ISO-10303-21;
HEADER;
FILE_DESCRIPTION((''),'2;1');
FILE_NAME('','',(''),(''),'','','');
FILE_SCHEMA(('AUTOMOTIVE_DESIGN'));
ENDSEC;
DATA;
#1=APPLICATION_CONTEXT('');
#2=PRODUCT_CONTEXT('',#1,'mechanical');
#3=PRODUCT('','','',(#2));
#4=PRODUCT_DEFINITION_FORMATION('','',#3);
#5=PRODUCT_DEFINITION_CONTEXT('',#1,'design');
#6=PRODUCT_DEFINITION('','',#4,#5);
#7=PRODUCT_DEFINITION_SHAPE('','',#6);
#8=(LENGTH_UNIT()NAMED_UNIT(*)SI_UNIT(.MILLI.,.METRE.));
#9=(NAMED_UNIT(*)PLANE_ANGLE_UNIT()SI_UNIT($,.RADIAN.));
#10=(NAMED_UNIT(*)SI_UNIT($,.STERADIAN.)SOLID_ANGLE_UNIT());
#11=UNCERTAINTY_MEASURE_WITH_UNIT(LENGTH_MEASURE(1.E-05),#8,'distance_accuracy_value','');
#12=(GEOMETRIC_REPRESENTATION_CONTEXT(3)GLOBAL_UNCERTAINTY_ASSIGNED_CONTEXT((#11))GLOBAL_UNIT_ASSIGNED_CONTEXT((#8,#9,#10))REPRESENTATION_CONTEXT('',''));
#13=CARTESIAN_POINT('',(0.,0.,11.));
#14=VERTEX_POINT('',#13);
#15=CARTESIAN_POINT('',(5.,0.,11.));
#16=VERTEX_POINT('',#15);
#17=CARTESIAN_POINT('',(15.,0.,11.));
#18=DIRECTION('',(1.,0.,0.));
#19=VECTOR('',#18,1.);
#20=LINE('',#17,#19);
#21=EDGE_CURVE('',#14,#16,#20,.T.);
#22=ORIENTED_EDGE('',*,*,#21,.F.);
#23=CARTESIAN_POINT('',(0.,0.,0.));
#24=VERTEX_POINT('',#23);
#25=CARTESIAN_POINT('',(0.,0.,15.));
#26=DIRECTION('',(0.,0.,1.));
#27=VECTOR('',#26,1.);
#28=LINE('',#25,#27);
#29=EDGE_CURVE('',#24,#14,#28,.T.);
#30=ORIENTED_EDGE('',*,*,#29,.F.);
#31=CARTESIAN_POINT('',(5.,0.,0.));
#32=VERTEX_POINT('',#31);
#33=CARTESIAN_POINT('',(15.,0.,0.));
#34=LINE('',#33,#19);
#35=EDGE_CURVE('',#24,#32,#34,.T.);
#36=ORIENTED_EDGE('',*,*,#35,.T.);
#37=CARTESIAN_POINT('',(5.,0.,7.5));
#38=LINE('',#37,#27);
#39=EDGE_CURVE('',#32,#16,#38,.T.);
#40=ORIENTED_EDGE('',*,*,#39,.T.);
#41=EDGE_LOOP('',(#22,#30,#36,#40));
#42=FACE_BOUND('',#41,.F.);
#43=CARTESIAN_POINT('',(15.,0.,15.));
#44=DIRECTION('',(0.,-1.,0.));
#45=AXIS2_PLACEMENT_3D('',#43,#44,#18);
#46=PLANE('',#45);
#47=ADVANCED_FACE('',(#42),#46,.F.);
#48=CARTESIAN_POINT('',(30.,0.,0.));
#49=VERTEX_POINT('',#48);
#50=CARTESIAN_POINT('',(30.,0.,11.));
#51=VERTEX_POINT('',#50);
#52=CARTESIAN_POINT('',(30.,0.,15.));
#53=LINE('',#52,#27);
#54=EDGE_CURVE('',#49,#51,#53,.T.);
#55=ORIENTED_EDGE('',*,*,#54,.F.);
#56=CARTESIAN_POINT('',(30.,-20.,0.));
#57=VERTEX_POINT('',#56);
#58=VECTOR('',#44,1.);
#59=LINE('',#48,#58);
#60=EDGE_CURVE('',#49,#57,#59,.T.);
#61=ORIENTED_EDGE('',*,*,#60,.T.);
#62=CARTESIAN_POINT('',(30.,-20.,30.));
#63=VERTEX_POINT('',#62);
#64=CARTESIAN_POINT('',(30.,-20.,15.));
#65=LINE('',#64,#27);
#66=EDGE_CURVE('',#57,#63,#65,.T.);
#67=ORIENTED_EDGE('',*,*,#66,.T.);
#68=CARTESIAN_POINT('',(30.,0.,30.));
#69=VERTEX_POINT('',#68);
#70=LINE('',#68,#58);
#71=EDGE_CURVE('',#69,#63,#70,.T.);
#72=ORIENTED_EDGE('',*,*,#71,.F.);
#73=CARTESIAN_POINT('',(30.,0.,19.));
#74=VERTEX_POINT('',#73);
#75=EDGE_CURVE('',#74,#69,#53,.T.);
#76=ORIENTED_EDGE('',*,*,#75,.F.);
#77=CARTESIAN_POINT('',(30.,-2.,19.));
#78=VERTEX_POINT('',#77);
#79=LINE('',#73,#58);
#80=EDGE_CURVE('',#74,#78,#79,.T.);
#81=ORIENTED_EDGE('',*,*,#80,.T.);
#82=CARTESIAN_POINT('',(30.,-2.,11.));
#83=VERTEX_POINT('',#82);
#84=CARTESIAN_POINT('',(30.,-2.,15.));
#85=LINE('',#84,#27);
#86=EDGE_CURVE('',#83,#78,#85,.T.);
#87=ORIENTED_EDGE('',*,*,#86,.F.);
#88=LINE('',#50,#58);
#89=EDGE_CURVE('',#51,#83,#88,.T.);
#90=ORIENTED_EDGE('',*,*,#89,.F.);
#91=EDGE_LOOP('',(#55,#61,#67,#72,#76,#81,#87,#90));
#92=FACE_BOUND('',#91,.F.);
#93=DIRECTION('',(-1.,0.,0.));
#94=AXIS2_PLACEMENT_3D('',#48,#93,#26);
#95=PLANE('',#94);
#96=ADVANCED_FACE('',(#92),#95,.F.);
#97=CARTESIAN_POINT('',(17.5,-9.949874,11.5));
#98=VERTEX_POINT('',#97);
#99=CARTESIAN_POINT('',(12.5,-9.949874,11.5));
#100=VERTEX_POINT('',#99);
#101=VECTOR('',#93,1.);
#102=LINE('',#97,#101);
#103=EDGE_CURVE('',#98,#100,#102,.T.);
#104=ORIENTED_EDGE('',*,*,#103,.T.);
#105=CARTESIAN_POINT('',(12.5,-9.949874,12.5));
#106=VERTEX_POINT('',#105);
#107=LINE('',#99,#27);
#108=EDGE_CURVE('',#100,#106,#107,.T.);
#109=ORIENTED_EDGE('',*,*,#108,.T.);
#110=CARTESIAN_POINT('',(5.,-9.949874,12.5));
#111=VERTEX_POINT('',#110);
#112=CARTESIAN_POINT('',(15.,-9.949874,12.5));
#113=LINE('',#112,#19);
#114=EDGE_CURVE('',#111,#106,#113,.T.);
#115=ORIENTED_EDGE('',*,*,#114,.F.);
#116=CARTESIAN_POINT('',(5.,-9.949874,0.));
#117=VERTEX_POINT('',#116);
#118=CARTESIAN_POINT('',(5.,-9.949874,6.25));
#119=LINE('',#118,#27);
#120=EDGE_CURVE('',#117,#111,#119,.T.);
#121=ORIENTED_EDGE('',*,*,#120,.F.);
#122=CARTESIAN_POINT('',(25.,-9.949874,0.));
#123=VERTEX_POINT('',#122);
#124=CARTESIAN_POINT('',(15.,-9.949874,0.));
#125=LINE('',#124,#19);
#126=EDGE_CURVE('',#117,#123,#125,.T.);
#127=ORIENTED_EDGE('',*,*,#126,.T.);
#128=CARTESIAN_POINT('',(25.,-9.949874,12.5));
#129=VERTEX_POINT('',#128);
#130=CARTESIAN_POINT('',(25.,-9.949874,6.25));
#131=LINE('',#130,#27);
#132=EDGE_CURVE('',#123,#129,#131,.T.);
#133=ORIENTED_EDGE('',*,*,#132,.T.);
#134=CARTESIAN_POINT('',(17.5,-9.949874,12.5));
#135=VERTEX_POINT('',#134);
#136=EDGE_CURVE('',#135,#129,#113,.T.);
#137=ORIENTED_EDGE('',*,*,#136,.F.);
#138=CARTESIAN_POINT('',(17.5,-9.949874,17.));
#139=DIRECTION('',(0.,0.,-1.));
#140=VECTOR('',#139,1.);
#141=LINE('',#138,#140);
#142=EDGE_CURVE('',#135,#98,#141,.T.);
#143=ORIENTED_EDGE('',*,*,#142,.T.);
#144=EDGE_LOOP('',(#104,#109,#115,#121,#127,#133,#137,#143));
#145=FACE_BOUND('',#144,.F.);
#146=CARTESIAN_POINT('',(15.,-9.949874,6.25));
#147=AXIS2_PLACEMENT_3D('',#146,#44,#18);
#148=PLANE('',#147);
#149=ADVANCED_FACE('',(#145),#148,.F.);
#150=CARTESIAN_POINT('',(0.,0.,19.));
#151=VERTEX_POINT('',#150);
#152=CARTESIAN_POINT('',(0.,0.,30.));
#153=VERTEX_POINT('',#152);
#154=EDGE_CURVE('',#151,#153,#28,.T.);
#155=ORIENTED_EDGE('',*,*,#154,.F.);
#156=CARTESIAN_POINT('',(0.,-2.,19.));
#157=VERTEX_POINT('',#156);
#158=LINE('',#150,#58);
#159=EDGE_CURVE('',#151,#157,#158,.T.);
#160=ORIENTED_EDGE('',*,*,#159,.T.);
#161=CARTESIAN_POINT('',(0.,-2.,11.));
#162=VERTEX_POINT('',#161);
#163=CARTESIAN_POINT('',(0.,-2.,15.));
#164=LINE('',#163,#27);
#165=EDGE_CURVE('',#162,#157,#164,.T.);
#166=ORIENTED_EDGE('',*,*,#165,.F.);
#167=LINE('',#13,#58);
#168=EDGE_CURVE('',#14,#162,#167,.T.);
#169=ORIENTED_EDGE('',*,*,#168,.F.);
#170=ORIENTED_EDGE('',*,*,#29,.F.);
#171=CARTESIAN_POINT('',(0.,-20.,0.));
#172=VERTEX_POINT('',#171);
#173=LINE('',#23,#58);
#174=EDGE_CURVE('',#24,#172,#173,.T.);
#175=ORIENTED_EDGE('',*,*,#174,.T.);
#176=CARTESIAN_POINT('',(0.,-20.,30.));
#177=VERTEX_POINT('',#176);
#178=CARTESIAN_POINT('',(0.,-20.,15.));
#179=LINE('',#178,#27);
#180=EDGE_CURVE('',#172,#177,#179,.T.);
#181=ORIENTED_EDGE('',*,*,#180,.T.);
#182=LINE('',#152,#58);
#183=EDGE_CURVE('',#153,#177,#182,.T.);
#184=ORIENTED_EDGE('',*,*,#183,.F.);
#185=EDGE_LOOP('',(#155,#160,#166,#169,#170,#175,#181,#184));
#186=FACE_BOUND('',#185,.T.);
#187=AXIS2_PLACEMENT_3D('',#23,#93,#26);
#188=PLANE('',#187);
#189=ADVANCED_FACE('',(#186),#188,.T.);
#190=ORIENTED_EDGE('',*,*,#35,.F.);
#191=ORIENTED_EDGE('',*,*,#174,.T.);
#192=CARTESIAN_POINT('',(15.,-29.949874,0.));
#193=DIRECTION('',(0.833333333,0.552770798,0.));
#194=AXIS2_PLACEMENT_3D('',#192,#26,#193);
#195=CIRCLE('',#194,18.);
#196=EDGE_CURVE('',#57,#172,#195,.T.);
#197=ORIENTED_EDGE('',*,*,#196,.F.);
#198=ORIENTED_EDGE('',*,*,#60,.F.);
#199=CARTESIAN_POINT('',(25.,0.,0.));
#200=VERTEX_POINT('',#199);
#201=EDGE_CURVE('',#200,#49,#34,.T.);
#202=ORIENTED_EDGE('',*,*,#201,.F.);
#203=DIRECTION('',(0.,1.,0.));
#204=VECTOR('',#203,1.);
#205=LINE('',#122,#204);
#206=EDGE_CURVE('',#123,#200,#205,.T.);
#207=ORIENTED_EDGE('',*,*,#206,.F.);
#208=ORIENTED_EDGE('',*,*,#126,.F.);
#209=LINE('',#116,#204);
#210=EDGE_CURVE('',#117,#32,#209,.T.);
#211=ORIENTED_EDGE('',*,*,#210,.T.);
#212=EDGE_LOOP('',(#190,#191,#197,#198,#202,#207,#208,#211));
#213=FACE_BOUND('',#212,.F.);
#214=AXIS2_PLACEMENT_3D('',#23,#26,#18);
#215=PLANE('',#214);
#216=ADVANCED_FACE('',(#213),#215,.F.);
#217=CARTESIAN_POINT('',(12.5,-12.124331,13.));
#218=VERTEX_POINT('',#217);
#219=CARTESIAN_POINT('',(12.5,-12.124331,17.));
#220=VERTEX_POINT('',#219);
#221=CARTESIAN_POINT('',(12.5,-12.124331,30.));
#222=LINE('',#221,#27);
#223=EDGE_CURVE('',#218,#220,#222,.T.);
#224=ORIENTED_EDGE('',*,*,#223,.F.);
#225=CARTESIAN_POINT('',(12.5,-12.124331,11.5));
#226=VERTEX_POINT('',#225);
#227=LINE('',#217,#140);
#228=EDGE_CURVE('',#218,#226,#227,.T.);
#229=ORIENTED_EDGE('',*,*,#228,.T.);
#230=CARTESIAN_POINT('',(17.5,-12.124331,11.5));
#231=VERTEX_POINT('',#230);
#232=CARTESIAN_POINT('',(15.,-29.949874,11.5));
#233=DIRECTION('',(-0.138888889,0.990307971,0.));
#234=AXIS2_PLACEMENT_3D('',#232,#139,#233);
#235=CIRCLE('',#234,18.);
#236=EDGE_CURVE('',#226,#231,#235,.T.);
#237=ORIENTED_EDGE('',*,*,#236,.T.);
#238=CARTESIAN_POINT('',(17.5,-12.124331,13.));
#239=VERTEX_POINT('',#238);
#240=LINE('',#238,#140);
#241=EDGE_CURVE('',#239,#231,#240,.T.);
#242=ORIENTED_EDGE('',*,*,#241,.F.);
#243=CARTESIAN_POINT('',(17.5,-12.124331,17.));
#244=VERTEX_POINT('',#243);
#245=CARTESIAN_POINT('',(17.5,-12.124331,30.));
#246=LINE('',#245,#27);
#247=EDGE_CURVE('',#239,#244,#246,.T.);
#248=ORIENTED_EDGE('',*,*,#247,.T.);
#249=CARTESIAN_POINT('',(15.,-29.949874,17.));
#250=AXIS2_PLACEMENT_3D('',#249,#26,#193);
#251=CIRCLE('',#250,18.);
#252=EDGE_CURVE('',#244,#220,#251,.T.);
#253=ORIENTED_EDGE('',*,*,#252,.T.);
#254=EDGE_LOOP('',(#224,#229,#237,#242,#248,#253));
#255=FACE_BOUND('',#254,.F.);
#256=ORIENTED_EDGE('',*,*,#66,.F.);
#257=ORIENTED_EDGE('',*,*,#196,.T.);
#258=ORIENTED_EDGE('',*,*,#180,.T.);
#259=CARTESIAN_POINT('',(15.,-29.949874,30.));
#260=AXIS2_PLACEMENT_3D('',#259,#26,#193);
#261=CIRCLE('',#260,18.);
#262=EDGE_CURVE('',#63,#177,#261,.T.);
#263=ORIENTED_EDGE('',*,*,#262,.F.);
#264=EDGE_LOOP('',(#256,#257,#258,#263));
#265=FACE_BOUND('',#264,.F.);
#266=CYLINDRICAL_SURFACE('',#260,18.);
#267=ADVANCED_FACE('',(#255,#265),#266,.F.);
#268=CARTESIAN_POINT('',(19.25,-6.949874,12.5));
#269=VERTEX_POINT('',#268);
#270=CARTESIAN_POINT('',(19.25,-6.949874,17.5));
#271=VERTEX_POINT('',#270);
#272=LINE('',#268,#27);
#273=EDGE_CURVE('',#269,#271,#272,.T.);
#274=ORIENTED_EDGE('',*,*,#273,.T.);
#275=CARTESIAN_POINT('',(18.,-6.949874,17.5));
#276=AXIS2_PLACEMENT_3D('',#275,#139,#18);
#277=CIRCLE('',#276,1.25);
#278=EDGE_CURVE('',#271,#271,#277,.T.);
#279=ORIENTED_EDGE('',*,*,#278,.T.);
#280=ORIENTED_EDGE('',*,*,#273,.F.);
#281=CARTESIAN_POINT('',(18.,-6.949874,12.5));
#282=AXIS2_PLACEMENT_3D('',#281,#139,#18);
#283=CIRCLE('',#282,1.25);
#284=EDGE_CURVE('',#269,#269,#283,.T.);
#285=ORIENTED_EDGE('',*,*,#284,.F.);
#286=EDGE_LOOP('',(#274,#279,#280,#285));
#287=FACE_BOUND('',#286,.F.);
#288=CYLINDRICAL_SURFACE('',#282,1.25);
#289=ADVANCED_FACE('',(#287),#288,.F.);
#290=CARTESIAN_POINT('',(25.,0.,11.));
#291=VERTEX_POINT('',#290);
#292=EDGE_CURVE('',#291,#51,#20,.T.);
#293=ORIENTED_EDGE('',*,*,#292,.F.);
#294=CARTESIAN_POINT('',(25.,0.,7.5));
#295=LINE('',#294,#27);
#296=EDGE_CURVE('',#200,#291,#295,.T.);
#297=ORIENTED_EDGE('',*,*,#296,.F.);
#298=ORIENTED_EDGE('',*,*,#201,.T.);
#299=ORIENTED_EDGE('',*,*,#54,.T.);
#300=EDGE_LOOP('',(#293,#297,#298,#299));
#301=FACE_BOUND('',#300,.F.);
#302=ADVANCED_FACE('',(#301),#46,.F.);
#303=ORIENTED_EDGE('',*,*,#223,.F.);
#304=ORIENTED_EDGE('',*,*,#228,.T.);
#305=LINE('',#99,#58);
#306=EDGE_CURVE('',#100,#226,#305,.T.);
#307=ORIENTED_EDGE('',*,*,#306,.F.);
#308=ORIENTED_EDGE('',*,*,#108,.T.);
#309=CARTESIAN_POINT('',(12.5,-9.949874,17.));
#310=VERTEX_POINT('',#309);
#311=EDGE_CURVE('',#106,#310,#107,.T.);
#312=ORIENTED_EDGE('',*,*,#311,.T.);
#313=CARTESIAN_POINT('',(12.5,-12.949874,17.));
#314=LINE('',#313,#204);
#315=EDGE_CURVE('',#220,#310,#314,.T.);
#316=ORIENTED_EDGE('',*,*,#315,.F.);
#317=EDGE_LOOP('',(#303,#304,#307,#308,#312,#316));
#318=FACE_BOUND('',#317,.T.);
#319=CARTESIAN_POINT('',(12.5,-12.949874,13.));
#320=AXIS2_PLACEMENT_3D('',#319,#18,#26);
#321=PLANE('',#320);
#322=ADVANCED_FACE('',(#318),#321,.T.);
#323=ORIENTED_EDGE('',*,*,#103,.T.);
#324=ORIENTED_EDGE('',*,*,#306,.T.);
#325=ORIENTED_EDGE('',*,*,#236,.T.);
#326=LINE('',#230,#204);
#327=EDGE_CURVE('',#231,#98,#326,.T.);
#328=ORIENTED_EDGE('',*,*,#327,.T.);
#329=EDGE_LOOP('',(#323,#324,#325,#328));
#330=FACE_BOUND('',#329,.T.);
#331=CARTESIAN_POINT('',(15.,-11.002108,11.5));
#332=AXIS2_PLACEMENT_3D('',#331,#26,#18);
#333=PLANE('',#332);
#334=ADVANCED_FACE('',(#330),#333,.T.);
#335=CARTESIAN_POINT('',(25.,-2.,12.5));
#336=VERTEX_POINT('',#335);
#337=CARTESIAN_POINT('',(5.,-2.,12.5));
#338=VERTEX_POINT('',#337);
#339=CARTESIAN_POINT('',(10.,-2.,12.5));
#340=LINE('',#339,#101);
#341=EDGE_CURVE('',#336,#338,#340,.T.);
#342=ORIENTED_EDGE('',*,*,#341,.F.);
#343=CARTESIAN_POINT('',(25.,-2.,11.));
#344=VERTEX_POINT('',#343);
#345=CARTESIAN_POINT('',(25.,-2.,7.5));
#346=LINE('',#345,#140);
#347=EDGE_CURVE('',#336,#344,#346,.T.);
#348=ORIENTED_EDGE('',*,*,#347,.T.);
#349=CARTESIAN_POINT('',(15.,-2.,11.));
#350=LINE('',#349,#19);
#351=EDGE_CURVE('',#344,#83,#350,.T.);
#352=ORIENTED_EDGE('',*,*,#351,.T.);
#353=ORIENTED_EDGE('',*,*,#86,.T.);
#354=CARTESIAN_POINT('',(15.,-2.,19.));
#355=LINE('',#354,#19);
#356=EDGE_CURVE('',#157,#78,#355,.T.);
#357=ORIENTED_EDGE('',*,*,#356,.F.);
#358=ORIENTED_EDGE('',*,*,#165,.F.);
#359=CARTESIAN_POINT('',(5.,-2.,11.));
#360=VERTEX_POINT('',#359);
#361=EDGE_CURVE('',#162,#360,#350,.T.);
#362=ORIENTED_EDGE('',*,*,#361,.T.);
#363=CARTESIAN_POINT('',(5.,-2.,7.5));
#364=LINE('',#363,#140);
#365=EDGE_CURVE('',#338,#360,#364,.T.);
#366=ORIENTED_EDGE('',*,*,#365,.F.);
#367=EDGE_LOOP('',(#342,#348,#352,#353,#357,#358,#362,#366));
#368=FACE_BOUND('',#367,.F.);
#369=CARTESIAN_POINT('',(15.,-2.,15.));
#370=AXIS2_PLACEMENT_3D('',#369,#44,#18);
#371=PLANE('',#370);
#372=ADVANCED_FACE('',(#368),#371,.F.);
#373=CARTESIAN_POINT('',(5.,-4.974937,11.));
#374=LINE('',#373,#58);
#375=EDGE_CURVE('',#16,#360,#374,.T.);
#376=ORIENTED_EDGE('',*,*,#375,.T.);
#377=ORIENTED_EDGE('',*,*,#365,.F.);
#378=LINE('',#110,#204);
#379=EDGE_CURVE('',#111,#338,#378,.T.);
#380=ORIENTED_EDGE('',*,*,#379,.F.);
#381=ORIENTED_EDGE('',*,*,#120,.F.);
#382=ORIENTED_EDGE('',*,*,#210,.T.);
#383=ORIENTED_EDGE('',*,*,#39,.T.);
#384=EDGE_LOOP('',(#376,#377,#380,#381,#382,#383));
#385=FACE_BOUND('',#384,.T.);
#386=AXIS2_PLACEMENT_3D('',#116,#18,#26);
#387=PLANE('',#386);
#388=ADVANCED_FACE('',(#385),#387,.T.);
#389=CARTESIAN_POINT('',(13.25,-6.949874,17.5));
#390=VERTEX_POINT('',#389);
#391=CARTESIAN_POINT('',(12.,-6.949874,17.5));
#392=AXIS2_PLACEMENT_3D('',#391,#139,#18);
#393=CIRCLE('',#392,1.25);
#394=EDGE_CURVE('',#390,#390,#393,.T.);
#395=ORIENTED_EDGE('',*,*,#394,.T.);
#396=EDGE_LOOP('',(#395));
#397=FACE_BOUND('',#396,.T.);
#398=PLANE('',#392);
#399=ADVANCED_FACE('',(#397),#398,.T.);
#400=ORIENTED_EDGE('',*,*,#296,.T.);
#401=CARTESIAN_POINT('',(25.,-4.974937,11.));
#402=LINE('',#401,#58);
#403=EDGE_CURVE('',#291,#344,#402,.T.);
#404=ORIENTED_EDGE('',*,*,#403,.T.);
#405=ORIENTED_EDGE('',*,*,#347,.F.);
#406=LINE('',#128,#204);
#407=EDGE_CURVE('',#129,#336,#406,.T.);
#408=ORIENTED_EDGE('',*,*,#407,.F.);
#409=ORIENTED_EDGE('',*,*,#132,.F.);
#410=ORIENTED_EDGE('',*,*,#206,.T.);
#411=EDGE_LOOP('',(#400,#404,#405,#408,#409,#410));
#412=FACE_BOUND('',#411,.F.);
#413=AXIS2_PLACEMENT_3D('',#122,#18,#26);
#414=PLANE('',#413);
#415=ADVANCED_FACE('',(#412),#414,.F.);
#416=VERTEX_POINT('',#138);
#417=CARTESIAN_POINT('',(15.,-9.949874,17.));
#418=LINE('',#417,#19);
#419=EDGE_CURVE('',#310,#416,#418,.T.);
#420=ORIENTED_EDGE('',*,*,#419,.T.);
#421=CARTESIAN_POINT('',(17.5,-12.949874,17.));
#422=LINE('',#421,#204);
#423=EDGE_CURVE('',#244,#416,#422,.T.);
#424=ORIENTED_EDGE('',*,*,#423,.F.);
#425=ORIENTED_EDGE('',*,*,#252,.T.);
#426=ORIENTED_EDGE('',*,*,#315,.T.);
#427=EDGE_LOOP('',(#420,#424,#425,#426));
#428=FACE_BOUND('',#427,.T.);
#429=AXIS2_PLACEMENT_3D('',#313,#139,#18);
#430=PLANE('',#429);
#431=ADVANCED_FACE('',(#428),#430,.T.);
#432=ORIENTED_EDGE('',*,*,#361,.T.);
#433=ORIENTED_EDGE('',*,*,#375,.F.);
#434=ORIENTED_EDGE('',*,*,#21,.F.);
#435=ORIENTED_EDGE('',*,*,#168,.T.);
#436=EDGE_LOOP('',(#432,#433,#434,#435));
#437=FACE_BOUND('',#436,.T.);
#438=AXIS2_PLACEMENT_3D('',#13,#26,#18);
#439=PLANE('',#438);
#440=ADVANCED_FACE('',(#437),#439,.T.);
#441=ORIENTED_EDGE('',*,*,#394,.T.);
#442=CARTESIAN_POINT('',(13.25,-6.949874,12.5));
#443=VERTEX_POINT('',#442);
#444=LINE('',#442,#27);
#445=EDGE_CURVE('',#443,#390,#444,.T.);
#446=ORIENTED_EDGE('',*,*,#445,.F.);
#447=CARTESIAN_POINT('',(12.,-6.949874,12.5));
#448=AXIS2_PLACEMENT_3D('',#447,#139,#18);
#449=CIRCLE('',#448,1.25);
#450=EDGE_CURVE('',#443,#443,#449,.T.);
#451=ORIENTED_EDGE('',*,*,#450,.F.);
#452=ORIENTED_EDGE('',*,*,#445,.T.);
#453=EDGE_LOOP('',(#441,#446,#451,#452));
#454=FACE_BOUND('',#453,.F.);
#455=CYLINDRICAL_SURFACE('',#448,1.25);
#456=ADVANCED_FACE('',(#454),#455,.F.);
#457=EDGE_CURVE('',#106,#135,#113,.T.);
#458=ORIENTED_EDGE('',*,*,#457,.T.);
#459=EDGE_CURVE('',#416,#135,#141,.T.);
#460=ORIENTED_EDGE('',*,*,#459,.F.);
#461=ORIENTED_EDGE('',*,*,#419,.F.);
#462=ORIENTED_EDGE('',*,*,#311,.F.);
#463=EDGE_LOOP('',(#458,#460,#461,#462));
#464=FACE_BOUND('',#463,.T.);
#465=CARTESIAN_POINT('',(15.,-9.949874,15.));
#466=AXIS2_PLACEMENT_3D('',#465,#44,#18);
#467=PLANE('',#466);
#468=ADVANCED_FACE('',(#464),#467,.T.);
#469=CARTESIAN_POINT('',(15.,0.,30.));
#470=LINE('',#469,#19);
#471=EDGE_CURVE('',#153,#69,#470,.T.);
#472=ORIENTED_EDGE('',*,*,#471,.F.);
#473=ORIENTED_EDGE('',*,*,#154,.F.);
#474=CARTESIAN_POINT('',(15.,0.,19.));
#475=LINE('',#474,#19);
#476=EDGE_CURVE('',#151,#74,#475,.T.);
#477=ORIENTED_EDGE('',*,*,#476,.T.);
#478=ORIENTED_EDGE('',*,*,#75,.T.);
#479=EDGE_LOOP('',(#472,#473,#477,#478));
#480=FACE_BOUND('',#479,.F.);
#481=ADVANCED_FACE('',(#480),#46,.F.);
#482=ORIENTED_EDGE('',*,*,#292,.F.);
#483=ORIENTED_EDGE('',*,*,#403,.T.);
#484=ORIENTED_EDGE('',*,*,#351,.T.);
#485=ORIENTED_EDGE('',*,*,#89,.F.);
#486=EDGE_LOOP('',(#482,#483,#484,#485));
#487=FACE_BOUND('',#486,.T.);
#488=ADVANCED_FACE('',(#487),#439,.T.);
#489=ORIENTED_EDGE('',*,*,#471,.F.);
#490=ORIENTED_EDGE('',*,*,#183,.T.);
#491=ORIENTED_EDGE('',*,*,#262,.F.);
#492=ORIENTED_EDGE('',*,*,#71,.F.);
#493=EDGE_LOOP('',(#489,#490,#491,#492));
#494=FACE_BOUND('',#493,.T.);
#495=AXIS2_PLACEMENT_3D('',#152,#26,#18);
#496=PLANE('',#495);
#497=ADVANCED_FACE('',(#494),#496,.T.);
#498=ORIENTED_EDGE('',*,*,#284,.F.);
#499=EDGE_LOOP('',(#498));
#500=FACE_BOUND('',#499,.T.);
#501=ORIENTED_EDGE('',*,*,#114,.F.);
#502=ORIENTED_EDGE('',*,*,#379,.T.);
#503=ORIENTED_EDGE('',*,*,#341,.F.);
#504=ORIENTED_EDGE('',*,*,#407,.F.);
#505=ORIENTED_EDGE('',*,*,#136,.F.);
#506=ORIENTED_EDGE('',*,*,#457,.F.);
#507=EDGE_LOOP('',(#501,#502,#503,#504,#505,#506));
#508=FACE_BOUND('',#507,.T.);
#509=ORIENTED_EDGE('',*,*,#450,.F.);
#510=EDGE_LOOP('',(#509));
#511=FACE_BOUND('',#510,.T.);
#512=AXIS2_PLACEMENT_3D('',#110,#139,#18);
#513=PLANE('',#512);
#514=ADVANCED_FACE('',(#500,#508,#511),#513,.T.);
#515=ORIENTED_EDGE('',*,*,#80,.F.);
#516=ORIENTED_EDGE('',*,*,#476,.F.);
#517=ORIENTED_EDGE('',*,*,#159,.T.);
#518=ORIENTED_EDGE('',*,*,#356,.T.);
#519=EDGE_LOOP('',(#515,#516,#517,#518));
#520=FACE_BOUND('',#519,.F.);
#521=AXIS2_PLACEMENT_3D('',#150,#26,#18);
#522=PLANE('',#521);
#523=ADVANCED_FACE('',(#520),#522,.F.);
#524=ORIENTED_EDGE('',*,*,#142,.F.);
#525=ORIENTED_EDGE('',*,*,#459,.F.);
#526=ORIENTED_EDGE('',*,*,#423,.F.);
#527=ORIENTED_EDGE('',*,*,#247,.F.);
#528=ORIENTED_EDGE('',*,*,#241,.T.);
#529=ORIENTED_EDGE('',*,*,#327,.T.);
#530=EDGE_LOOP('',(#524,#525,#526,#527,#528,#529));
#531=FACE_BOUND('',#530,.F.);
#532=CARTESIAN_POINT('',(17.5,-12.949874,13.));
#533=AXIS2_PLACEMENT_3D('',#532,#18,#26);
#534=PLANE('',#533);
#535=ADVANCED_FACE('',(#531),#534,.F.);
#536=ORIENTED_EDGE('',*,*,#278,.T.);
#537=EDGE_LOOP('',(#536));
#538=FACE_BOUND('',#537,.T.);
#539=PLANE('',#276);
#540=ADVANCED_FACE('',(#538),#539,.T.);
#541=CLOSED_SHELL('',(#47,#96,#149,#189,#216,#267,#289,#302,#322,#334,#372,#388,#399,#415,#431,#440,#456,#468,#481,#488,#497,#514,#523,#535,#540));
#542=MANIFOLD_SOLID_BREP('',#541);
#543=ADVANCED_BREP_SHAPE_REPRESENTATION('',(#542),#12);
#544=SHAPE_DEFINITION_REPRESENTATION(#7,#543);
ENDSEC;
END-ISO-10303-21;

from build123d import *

# Parameters (mm, degrees)
F0_W      = 30
F0_H      = 30
F1_DEPTH  = 20
F3_DEPTH  = 30.001
F7_W      = 5
F7_H      = 4
F8_DEPTH  = 3
F10_DEPTH = 1.5
F11_W     = 20
F11_H     = 12.5
F12_DEPTH = 9.9508743711
F13_W     = 30
F13_H     = 8
F14_DEPTH = 2
F15_R     = 1.25
F16_DEPTH = 5


with BuildPart() as f1:
    # F0 (on Front) → F1 (new body)
    with BuildSketch(Plane.XZ):
        with Locations((15, 15)):
            Rectangle(F0_W, F0_H)
    extrude(amount=F1_DEPTH)

    # F2 (on face) → F3 (cut, through all)
    with BuildSketch(Plane.XY.offset(30)):
        with BuildLine():
            Line((0, -20), (30, -20))
            ThreePointArc((30, -20), (15, -11.9498743711), (0, -20))
        make_face()
    extrude(amount=-F3_DEPTH, mode=Mode.SUBTRACT)

    # F7 (on offset) → F8 (cut)
    with BuildSketch(Plane.XZ.offset(12.9498743711)):
        with Locations((15, 15)):
            Rectangle(F7_W, F7_H)
    extrude(amount=-F8_DEPTH, mode=Mode.SUBTRACT)

    # F9 (on face) → F10 (cut)
    with BuildSketch(Plane.XY.offset(13)):
        with BuildLine():
            ThreePointArc((12.5, -12.1243309011), (15, -11.9498743711), (17.5, -12.1243309011))
            Line((17.5, -12.1243309011), (17.5, -9.9498743711))
            Line((17.5, -9.9498743711), (12.5, -9.9498743711))
            Line((12.5, -9.9498743711), (12.5, -12.1243309011))
        make_face()
    extrude(amount=-F10_DEPTH, mode=Mode.SUBTRACT)

    # F11 (on face) → F12 (cut, through all)
    with BuildSketch(Plane.XZ.offset(9.9498743711)):
        with Locations((15, 6.25)):
            Rectangle(F11_W, F11_H)
    extrude(amount=-F12_DEPTH, mode=Mode.SUBTRACT)

    # F13 (on face) → F14 (cut)
    with BuildSketch(Plane.XZ):
        with Locations((15, 15)):
            Rectangle(F13_W, F13_H)
    extrude(amount=F14_DEPTH, mode=Mode.SUBTRACT)

    # F15 (on face) → F16 (cut)
    with BuildSketch(Plane(origin=(0, 0, 12.5), x_dir=(1, 0, 0), z_dir=(0, 0, -1))):
        with Locations((18, 6.9498743711)):
            Circle(F15_R)
        with Locations((12, 6.9498743711)):
            Circle(F15_R)
    extrude(amount=-F16_DEPTH, mode=Mode.SUBTRACT)


solid = f1.part
